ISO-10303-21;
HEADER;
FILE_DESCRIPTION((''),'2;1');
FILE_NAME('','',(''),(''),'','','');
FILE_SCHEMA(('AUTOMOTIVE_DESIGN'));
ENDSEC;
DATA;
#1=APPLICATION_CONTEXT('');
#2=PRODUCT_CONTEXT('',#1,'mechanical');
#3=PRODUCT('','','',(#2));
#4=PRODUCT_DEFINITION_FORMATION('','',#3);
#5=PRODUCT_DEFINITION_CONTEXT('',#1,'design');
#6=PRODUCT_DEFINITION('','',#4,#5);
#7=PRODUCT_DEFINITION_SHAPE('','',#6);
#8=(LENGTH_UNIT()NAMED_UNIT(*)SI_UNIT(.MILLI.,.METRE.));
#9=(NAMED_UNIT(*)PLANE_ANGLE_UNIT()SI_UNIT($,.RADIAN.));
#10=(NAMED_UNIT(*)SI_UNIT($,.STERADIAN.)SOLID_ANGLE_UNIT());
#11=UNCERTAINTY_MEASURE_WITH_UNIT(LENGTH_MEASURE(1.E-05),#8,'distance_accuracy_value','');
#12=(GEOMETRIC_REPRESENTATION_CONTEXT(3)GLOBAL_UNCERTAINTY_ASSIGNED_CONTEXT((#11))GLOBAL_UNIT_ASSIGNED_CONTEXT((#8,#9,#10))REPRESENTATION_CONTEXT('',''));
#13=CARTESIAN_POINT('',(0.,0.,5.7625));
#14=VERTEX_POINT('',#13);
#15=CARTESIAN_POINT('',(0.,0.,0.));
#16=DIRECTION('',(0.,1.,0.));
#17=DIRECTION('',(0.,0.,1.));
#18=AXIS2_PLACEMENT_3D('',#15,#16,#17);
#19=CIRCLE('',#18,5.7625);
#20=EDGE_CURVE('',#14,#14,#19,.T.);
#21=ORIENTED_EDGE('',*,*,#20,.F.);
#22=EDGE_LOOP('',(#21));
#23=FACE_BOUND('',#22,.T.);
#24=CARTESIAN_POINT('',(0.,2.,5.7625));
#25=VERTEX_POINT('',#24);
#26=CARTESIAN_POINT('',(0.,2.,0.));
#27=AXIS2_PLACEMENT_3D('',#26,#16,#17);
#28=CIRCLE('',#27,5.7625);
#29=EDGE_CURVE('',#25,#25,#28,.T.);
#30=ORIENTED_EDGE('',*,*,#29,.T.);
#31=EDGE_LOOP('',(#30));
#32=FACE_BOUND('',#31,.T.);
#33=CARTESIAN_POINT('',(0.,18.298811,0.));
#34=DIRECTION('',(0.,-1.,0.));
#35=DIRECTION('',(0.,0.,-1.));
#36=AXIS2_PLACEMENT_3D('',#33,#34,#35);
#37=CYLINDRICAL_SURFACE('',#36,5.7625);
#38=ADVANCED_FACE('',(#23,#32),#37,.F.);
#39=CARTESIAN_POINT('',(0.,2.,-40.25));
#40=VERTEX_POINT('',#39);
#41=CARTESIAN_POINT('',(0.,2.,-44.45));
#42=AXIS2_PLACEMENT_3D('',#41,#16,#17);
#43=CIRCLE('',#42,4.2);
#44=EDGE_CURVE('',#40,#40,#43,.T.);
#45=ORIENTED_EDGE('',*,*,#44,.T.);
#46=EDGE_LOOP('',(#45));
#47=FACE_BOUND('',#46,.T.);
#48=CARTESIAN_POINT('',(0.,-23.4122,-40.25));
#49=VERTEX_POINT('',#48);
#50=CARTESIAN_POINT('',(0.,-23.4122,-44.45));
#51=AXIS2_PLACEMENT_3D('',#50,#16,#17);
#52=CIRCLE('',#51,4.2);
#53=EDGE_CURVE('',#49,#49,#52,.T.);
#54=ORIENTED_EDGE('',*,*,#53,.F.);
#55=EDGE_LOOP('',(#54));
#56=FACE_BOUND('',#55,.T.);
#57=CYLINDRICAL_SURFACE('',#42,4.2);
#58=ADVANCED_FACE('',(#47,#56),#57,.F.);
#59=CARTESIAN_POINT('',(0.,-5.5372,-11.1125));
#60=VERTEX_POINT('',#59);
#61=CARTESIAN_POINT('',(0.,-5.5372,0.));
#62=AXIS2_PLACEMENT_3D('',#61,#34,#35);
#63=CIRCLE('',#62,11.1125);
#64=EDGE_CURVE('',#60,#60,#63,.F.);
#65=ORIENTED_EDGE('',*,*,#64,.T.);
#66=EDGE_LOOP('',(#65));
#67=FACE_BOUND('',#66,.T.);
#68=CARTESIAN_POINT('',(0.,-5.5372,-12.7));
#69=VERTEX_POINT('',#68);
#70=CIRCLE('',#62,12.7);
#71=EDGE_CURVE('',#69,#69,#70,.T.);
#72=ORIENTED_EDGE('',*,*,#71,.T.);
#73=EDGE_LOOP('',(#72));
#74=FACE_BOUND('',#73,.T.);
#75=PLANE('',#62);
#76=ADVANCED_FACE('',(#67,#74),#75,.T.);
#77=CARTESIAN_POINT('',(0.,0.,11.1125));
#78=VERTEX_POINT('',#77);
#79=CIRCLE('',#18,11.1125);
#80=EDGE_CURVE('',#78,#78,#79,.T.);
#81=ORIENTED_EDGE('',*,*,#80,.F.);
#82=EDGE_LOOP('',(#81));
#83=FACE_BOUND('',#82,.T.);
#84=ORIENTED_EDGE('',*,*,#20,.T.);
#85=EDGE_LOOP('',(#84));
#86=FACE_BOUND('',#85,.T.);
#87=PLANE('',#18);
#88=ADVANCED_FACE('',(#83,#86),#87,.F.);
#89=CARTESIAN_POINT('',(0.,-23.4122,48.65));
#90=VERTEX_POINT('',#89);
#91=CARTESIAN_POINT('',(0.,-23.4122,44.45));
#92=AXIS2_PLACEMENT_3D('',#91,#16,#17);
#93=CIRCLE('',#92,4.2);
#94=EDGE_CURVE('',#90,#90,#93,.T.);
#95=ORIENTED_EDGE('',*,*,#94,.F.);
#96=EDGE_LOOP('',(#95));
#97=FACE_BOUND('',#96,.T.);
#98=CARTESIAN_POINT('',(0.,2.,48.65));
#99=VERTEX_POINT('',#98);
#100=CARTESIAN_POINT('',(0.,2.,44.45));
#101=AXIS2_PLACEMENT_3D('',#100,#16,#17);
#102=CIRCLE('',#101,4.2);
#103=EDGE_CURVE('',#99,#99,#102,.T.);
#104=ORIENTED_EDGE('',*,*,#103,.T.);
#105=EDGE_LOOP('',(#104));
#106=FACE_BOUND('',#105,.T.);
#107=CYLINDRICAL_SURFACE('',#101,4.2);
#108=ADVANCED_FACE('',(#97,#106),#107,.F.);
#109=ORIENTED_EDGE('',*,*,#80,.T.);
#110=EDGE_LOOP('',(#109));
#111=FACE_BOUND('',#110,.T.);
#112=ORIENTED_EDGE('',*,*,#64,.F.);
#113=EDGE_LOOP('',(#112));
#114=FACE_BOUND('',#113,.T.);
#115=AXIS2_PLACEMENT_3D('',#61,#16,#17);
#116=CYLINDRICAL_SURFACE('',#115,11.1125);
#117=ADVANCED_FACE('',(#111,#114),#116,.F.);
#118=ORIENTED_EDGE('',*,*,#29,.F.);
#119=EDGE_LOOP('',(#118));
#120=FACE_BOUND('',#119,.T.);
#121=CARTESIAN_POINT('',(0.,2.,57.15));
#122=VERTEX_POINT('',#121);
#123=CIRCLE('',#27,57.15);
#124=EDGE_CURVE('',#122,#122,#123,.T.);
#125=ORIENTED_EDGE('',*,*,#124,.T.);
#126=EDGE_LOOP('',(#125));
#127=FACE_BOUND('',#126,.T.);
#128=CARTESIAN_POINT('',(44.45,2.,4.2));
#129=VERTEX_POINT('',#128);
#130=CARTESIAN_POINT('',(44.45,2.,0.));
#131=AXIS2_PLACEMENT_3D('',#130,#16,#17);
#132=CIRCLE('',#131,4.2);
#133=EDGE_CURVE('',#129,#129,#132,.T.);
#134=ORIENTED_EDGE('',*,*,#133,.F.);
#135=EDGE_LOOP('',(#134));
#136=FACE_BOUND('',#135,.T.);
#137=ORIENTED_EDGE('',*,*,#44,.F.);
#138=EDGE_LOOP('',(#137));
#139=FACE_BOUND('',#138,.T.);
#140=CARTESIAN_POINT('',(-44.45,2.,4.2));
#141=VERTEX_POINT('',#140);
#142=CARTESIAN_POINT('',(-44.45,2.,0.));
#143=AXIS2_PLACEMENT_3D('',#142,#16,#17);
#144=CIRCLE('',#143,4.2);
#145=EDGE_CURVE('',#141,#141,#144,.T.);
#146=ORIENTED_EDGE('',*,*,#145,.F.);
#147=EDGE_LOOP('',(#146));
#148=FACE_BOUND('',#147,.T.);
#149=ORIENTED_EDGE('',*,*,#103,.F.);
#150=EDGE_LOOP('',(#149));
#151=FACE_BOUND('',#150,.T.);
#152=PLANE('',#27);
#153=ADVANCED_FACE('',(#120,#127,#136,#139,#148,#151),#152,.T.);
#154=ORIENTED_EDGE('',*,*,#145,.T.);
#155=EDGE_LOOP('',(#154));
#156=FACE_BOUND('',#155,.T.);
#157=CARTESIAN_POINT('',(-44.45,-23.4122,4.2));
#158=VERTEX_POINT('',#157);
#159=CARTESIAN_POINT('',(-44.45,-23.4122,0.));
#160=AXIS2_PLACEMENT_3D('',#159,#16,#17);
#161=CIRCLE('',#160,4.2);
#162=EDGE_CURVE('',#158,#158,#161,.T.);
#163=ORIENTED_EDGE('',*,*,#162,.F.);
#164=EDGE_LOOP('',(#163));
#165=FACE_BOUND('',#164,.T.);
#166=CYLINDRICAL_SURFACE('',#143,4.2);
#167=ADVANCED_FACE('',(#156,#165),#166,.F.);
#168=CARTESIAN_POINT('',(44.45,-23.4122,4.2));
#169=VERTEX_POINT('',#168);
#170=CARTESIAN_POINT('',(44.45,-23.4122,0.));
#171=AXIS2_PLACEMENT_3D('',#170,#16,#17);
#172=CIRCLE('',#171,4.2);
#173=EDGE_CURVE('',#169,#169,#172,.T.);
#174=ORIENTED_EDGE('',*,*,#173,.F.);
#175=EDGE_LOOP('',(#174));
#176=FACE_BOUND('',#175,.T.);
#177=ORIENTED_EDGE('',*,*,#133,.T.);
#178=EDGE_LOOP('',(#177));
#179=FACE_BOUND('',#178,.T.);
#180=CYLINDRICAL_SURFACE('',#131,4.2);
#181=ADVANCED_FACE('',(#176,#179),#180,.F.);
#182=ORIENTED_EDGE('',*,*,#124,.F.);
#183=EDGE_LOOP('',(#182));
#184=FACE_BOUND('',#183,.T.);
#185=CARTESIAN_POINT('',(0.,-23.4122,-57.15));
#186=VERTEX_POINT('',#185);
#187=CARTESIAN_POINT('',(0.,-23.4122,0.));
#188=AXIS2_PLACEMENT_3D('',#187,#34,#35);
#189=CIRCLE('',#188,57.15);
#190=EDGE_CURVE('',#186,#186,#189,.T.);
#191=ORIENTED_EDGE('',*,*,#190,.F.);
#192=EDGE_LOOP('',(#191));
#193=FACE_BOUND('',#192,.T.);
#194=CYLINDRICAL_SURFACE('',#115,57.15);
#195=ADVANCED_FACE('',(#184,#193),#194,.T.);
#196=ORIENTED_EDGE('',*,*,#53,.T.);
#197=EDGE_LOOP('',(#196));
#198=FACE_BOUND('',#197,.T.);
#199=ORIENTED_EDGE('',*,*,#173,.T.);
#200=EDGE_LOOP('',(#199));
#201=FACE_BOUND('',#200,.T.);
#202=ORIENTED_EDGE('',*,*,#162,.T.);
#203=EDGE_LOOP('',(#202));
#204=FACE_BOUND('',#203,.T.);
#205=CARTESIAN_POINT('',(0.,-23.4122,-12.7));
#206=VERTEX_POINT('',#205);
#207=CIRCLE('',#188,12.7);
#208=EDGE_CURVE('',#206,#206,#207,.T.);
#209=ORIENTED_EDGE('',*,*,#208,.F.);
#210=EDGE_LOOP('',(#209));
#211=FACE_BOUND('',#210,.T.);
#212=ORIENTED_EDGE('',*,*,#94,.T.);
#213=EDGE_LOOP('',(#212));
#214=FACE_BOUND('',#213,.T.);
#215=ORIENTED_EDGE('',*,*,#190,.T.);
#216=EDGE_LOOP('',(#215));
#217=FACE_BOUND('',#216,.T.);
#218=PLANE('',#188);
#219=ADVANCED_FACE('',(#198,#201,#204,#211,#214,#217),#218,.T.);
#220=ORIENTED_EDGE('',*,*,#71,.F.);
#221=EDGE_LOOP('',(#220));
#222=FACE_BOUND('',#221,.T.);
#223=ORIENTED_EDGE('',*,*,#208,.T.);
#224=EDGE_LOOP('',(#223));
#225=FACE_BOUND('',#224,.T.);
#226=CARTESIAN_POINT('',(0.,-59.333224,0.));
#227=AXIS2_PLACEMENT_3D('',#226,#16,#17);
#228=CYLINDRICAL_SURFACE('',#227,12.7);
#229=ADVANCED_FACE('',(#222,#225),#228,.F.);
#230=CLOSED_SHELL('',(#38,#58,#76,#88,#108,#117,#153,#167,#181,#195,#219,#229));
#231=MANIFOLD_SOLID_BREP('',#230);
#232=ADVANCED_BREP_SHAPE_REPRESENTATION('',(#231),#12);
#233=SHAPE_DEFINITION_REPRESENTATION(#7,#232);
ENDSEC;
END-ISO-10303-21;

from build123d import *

# Parameters (mm, degrees)
SKETCH1_R                          = 57.15
SEAL_SEAT_HIEGHT_DEPTH             = 5.5372
SKETCH2_R                          = 57.15
SEAL_DIAPHRAM_HIEGHT_DEPTH         = 15.875
SEAL_START                         = 2
SKETCH3_R                          = 57.15
SEAL_SHOULDER_HIEGHT_DEPTH         = 2
SKETCH4_R                          = 57.15
BOTTOM_SEAL_CLEARANCE_DEPTH        = 2
SKETCH5_R                          = 11.1125
SEAL_SEAT_FIT_DEPTH                = 5.5372
SEAL_DIAPHRAM_CLEARANCE_DEPTH      = 2
SEAL_DIAPHRAM_CLEARANCE_DEPTH_BACK = 15.875
SKETCH6_R                          = 12.7
SKETCH7_R                          = 5.7625
SHAFT_CLEARANCE_DEPTH              = 2
M8_CLEARANCE_HOLE1_D               = 8.4


with BuildPart() as part:
    # Sketch1 → seal seat hieght (new body)
    with BuildSketch(Plane(origin=(0, 0, 0), x_dir=(1, 0, 0), z_dir=(0, 1, 0))):
        with Locations(Location((0, 0, 0), (0, 0, 270))):
            Circle(SKETCH1_R)
    extrude(amount=-SEAL_SEAT_HIEGHT_DEPTH)

    # Sketch2 → seal diaphram hieght (add)
    with BuildSketch(Plane.XZ.offset(5.5372)):
        with Locations(Location((0, 0, 0), (0, 0, 90))):
            Circle(SKETCH2_R)
    extrude(amount=SEAL_DIAPHRAM_HIEGHT_DEPTH)

    # Sketch3 → seal shoulder hieght (add)
    with BuildSketch(Plane(origin=(0, 0, 0), x_dir=(1, 0, 0), z_dir=(0, 1, 0)).offset(SEAL_START)):
        with Locations(Location((0, 0, 0), (0, 0, 270))):
            Circle(SKETCH3_R)
    extrude(amount=-SEAL_SHOULDER_HIEGHT_DEPTH)

    # Sketch4 → bottom seal clearance (add)
    with BuildSketch(Plane.XZ.offset(21.4122)):
        with Locations(Location((0, 0, 0), (0, 0, 90))):
            Circle(SKETCH4_R)
    extrude(amount=BOTTOM_SEAL_CLEARANCE_DEPTH)

    # Sketch5 → seal seat fit (cut)
    with BuildSketch(Plane(origin=(0, 0, 0), x_dir=(1, 0, 0), z_dir=(0, 1, 0))):
        with Locations(Location((0, 0, 0), (0, 0, 270))):
            Circle(SKETCH5_R)
    extrude(amount=-SEAL_SEAT_FIT_DEPTH, mode=Mode.SUBTRACT)

    # Sketch6 → seal diaphram clearance (cut, two sides: drawn at the far end of the back side and taken through both)
    with BuildSketch(Plane(origin=(0, -21.4122, 0), x_dir=(-1, 0, 0), z_dir=(0, -1, 0)).offset(-SEAL_DIAPHRAM_CLEARANCE_DEPTH_BACK)):
        with Locations(Location((0, 0, 0), (0, 0, 90))):
            Circle(SKETCH6_R)
    extrude(amount=SEAL_DIAPHRAM_CLEARANCE_DEPTH + SEAL_DIAPHRAM_CLEARANCE_DEPTH_BACK, mode=Mode.SUBTRACT)

    # Sketch7 → shaft clearance (cut)
    with BuildSketch(Plane(origin=(0, 0, 0), x_dir=(1, 0, 0), z_dir=(0, 1, 0))):
        with Locations(Location((0, 0, 0), (0, 0, 270))):
            Circle(SKETCH7_R)
    extrude(amount=SHAFT_CLEARANCE_DEPTH, mode=Mode.SUBTRACT)

    # M8 Clearance Hole1 (through all)
    with Locations(Plane(origin=(0, 2, 0), x_dir=(1, 0, 0), z_dir=(0, 1, 0))):
        with Locations((-44.45, 0), (0, 44.45), (44.45, 0), (0, -44.45)):
            Hole(M8_CLEARANCE_HOLE1_D / 2)


solid = part.part
